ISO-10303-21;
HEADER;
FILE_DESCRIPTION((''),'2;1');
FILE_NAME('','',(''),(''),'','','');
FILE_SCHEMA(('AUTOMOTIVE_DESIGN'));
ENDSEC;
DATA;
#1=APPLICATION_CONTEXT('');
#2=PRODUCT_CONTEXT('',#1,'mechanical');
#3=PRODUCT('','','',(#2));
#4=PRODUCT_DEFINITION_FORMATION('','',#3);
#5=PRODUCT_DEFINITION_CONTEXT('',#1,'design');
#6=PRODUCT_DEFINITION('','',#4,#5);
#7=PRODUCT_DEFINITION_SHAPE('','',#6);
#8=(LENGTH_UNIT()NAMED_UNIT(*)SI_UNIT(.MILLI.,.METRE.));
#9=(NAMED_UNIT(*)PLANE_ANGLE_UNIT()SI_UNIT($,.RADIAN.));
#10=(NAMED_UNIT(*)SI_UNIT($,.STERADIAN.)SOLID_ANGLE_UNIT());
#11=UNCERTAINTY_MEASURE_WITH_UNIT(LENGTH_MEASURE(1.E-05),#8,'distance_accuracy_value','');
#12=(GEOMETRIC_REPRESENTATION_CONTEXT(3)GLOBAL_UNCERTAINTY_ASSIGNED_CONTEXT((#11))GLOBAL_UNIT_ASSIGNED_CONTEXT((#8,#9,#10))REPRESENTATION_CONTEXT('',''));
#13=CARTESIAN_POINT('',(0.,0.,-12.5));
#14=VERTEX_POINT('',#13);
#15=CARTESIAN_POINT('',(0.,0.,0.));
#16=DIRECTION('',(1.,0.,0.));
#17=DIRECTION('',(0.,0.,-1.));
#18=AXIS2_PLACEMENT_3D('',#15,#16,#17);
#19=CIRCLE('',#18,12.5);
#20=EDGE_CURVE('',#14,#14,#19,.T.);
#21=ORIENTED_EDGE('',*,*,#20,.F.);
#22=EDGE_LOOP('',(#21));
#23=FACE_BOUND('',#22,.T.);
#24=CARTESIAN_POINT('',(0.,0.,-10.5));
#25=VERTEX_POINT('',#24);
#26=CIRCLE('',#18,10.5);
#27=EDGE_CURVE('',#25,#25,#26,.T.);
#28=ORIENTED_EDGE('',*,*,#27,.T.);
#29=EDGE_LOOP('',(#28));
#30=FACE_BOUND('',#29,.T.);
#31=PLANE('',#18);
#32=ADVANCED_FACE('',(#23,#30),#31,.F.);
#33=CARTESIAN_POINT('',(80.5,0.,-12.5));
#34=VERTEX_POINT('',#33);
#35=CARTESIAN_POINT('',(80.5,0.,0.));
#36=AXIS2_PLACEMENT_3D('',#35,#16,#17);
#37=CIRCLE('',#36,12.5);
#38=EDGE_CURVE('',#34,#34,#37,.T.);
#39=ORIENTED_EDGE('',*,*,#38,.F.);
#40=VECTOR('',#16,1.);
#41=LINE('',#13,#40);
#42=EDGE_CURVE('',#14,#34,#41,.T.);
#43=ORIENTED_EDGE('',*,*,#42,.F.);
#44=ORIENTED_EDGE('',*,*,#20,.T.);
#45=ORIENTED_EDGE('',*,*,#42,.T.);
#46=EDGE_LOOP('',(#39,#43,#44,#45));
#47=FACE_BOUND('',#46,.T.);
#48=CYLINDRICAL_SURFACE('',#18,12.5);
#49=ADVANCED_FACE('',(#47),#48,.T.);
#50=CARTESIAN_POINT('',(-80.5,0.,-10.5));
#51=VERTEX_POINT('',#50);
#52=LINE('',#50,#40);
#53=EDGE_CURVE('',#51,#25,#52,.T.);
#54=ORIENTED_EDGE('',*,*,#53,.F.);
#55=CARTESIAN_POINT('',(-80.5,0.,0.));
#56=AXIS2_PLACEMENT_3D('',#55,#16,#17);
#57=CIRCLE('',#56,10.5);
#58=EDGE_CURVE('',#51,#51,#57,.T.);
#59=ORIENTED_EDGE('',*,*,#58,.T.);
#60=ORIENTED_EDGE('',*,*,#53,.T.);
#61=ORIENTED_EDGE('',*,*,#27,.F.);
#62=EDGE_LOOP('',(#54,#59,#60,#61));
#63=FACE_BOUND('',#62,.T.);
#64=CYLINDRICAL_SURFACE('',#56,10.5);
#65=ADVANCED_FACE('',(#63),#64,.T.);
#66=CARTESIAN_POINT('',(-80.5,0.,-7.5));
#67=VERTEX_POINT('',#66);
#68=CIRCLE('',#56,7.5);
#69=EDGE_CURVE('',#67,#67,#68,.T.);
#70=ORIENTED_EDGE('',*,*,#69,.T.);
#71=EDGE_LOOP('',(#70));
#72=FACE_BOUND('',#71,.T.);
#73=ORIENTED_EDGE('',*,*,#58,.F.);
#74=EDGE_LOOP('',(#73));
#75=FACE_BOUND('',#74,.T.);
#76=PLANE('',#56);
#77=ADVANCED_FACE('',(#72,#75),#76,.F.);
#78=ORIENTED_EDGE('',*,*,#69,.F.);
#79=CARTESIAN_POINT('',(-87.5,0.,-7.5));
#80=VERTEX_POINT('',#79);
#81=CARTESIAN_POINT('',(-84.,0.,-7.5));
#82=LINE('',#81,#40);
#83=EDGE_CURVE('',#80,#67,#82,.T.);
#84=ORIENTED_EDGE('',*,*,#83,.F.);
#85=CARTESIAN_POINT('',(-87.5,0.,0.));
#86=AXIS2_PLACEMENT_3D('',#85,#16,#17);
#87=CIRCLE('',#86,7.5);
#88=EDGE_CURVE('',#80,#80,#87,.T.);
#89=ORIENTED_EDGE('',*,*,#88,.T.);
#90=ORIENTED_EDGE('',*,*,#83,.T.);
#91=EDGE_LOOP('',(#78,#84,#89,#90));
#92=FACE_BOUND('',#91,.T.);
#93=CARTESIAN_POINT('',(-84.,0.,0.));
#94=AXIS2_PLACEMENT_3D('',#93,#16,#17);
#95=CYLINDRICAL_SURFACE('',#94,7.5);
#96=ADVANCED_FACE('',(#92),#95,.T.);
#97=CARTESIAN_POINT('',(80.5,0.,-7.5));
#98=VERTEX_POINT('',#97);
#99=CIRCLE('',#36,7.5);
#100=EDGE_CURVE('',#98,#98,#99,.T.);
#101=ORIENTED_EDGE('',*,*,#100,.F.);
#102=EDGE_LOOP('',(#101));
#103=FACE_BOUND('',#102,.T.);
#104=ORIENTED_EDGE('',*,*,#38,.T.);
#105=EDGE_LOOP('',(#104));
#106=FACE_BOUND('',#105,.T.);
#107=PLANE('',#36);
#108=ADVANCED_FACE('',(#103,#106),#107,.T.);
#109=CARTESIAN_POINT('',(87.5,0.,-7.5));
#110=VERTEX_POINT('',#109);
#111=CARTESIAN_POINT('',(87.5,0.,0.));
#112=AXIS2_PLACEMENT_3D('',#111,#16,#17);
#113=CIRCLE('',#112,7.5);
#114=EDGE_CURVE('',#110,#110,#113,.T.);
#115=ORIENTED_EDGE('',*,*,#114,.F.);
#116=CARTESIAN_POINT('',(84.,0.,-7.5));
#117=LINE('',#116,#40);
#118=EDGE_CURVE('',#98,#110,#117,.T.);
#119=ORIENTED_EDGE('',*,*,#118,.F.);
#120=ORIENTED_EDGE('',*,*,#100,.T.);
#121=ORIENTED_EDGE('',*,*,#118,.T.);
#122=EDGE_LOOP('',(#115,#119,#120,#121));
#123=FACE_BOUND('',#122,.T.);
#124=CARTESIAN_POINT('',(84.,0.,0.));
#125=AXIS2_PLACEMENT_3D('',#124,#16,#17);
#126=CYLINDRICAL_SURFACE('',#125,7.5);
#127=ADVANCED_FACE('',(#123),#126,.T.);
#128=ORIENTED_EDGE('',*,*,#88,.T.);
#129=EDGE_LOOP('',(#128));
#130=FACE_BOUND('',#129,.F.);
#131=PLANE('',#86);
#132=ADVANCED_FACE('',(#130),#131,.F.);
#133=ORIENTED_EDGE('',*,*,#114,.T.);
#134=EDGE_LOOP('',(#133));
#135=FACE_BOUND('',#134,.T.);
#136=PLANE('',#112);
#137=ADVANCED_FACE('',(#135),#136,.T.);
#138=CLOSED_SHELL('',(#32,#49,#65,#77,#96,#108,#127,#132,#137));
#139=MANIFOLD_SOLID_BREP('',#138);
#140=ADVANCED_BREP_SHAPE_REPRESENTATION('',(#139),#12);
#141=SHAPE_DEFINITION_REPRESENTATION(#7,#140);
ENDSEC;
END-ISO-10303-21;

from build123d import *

# Parameters (mm, degrees)
F0_W = 7
F0_H = 7.5


with BuildPart() as f1:
    # F0 (on Front) → F1 (revolve)
    with BuildSketch(Plane.XZ):
        with Locations((-84, -3.75)):
            Rectangle(F0_W, F0_H)
        Polygon((-80.5, -10.5), (0, -10.5), (0, 0), (-60.51527, 0), (-80.5, 0), (-80.5, -7.5), align=None)
        Polygon((0, -12.5), (80.5, -12.5), (80.5, -7.5), (80.5, 0), (0, 0), (0, -10.5), align=None)
        with Locations((84, -3.75)):
            Rectangle(F0_W, F0_H)
    revolve(axis=Axis((0, 0, 0), (1, 0, 0)))


solid = f1.part
